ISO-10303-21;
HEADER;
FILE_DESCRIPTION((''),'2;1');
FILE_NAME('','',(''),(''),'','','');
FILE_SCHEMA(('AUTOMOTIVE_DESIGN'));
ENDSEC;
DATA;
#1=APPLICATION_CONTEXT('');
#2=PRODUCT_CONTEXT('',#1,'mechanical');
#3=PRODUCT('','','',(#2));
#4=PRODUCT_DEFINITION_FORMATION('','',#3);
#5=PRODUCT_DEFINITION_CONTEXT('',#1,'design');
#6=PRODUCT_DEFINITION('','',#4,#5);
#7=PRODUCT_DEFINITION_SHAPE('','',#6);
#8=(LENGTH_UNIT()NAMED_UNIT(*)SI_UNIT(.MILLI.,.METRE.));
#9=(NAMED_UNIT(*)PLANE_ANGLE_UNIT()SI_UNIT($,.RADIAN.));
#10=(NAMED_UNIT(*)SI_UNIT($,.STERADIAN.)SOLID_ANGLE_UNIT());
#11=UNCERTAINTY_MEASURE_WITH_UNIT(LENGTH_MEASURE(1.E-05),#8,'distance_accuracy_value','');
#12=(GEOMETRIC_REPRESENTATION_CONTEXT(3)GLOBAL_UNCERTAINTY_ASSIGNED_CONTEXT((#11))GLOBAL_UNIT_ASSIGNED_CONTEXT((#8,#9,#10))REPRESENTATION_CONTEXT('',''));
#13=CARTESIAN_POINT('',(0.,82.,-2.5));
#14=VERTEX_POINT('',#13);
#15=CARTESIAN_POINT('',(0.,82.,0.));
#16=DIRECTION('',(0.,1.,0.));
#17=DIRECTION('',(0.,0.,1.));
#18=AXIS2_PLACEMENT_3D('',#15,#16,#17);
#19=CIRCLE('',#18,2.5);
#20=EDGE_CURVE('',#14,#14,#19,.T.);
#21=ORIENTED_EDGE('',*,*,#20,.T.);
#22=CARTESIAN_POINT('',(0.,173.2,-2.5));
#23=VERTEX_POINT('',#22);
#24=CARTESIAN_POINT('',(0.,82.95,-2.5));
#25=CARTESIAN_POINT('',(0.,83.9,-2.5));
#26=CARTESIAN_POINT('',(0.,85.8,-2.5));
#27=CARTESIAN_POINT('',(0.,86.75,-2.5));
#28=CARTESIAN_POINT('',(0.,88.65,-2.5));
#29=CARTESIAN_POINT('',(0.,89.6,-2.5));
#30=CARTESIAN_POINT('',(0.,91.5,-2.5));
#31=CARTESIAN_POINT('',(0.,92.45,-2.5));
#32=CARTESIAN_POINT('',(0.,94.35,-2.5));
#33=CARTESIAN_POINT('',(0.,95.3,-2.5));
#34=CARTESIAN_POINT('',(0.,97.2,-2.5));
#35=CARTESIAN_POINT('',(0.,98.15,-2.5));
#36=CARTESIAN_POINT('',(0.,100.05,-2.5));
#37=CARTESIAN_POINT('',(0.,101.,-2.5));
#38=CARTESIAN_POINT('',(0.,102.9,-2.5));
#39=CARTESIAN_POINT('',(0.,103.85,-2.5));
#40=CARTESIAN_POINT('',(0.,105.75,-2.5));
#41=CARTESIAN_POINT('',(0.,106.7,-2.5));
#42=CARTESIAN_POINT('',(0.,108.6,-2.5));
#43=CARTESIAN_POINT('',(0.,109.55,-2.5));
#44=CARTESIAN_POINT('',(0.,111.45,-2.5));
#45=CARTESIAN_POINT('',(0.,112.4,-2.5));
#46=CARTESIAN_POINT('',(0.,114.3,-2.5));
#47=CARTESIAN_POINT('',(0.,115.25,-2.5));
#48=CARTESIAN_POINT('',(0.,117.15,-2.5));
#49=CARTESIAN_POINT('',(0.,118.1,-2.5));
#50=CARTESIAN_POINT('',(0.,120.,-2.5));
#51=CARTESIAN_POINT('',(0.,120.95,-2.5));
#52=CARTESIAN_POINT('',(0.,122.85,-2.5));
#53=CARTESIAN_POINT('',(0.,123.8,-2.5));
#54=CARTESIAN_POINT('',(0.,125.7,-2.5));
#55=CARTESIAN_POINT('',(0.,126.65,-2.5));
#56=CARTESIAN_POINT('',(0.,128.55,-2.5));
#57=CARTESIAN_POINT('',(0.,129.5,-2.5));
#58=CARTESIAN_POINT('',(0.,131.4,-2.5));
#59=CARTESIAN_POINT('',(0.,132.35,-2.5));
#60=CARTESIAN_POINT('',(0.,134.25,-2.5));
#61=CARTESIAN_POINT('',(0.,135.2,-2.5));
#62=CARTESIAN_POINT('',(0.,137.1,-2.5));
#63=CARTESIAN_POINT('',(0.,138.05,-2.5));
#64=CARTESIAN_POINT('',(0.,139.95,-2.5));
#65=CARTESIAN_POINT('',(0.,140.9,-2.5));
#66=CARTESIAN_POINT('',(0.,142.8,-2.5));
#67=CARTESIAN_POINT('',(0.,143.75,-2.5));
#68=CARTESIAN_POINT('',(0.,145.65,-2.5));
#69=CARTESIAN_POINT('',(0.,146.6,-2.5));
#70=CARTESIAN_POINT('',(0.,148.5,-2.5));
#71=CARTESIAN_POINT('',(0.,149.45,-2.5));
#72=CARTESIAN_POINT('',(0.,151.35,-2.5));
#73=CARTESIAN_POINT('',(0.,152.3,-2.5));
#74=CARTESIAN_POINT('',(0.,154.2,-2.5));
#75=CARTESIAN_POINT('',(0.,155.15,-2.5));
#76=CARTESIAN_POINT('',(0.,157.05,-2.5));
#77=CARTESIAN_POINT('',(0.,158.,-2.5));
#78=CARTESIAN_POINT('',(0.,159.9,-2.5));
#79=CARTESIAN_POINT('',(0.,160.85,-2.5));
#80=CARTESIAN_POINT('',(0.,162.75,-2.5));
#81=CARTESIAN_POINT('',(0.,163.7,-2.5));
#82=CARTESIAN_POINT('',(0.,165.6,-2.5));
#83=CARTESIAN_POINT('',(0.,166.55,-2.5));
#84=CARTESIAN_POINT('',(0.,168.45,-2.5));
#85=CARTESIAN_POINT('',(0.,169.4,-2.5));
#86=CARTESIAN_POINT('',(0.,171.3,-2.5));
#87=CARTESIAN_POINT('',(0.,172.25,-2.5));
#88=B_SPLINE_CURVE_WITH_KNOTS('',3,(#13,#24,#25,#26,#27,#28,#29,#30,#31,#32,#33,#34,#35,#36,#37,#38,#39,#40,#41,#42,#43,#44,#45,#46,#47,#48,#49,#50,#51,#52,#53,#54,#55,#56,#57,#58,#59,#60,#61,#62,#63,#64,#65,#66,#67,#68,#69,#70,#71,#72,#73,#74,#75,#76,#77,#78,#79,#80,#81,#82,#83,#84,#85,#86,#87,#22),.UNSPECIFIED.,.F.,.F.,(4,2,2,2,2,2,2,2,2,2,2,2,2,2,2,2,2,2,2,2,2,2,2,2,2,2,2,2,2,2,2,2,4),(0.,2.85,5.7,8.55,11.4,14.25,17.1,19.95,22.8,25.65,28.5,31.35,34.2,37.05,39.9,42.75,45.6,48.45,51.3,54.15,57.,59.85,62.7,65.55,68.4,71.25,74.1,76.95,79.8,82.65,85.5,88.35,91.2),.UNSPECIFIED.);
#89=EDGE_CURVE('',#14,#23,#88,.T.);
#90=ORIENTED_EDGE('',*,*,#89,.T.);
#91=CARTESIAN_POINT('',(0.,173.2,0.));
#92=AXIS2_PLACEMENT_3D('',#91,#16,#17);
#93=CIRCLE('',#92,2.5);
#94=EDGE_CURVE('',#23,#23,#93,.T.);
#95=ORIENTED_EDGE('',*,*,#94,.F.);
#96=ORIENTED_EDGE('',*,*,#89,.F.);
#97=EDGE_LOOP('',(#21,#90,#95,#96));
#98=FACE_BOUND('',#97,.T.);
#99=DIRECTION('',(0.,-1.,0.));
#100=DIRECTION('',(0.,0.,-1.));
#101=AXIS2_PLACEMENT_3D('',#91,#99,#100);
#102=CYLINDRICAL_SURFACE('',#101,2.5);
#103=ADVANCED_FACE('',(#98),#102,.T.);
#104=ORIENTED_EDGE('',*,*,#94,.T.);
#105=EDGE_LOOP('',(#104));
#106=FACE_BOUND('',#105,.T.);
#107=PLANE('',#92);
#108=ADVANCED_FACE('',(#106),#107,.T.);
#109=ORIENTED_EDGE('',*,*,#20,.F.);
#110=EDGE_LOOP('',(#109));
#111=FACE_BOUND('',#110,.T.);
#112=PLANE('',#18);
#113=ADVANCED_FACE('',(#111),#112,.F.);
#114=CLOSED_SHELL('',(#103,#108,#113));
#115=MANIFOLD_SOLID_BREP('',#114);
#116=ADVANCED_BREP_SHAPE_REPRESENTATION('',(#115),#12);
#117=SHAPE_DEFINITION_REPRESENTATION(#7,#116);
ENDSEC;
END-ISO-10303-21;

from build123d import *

# Parameters (mm, degrees)
SKETCH_1_R               = 2.5
EXTRUDE_1_DEPTH          = 173.2
SKETCH_3_R               = 77
EXTRUDE_4_DEPTH          = 4
SKETCH_8_R               = 15
EXTRUDE_7_DEPTH          = 3
CUT_EXTRUDE_2_REACH      = 198.527
SKETCH_9_R               = 5
PATTERN_CIRCULAR_1_COUNT = 3
SKETCH_11_R              = 2.5
CUT_EXTRUDE_4_DEPTH      = 143.040275978
EXTRUDE_START            = 6.6
SKETCH_12_R              = 2.5
EXTRUDE_8_DEPTH          = 6.6
CUT_EXTRUDE_6_REACH      = 138.076
SKETCH_13_R              = 77
SKETCH_13_R_2            = 15
SKETCH_14_R              = 15
CUT_EXTRUDE_7_DEPTH      = 10
SKETCH_15_R              = 2.5
EXTRUDE_9_DEPTH          = 10


with BuildPart() as part:
    # 草图1 → 凸台-拉伸1 (new body)
    with BuildSketch(Plane(origin=(0, 0, 0), x_dir=(1, 0, 0), z_dir=(0, 1, 0))):
        with Locations(Location((0, 0, 0), (0, 0, 90))):
            Circle(SKETCH_1_R)
    extrude(amount=EXTRUDE_1_DEPTH)

    # 草图3 → 凸台-拉伸4 (add)
    with BuildSketch(Plane(origin=(0, 163.6, 0), x_dir=(1, 0, 0), z_dir=(0, 1, 0))):
        with Locations(Location((0, 0, 0), (0, 0, 270))):
            Circle(SKETCH_3_R)
    extrude(amount=-EXTRUDE_4_DEPTH)

    # 草图8 → 凸台-拉伸7 (add)
    with BuildSketch(Plane(origin=(0, 159.6, 0), x_dir=(-1, 0, 0), z_dir=(0, -1, 0))):
        with Locations(Location((0, 0, 0), (0, 0, 270))):
            Circle(SKETCH_8_R)
    extrude(amount=EXTRUDE_7_DEPTH)

    # 草图9 → 切除-拉伸2 (cut, up to next)
    with BuildSketch(Plane(origin=(0, 163.6, 0), x_dir=(1, 0, 0), z_dir=(0, 1, 0)), mode=Mode.PRIVATE) as cut_extrude_2_sk1:
        with Locations(Location((0, 45, 0), (0, 0, 270))):
            Circle(SKETCH_9_R)
    cut_extrude_2_tool1 = extrude(cut_extrude_2_sk1.sketch, amount=-CUT_EXTRUDE_2_REACH, mode=Mode.PRIVATE) & part.part
    cut_extrude_2 = cut_extrude_2_tool1.solids().sort_by_distance((0, 163.6, -45))[0]
    add(cut_extrude_2, mode=Mode.SUBTRACT)

    # 阵列(圆周)1: 切除-拉伸2 ×3 about axis
    pattern_circular_1_axis = Axis((0, 0, 0), (0, 1, 0))
    for i in range(1, PATTERN_CIRCULAR_1_COUNT):
        add(cut_extrude_2.rotate(pattern_circular_1_axis, i * 360 / PATTERN_CIRCULAR_1_COUNT), mode=Mode.SUBTRACT)

    # 草图11 → 切除-拉伸4 (cut, through all)
    with BuildSketch(Plane(origin=(0, 82, 0), x_dir=(1, 0, 0), z_dir=(0, 1, 0))):
        with Locations(Location((0, 0, 0), (0, 0, 90))):
            Circle(SKETCH_11_R)
    extrude(amount=-CUT_EXTRUDE_4_DEPTH, mode=Mode.SUBTRACT)

    # 草图12 → 凸台-拉伸8 (add)
    with BuildSketch(Plane(origin=(0, 153.6, 0), x_dir=(-1, 0, 0), z_dir=(0, -1, 0)).offset(EXTRUDE_START)):
        with Locations(Location((0, 0, 0), (0, 0, 90))):
            Circle(SKETCH_12_R)
    extrude(amount=-EXTRUDE_8_DEPTH)

    # 草图13 → 切除-拉伸6 (cut, up to next)
    with BuildSketch(Plane(origin=(0, 163.6, 0), x_dir=(1, 0, 0), z_dir=(0, 1, 0)), mode=Mode.PRIVATE) as cut_extrude_6_sk1:
        Circle(SKETCH_13_R)
        with Locations(Location((0, 0, 0), (0, 0, 270))):
            Circle(SKETCH_13_R_2, mode=Mode.SUBTRACT)
    cut_extrude_6_tool1 = extrude(cut_extrude_6_sk1.sketch, amount=-CUT_EXTRUDE_6_REACH, mode=Mode.PRIVATE) & part.part
    add(cut_extrude_6_tool1.solids().sort_by_distance((-74.822111, 163.6, 0))[0], mode=Mode.SUBTRACT)

    # 草图14 → 切除-拉伸7 (cut)
    with BuildSketch(Plane(origin=(0, 163.6, 0), x_dir=(1, 0, 0), z_dir=(0, 1, 0))):
        Circle(SKETCH_14_R)
    extrude(amount=-CUT_EXTRUDE_7_DEPTH, mode=Mode.SUBTRACT)


with BuildPart() as cut_extrude_7_piece_1:
    # of the separate pieces the step leaves, piece 1, a body of its own (cut_extrude_7_pieces)
    add(part.part.solids().sort_by_distance((0, 82, -2.5))[0])



with BuildPart() as cut_extrude_7_piece_2:
    # of the separate pieces the step leaves, piece 2, a body of its own (cut_extrude_7_pieces)
    add(part.part.solids().sort_by_distance((0, 163.6, -2.5))[0])


with BuildPart() as cut_extrude_7_piece_1_1:
    add(cut_extrude_7_piece_1.part)

    add(cut_extrude_7_piece_2.part)  # 凸台-拉伸9 merges 切除-拉伸7 piece 2
    # 草图15 → 凸台-拉伸9 (add)
    with BuildSketch(Plane(origin=(0, 153.6, 0), x_dir=(-1, 0, 0), z_dir=(0, -1, 0))):
        with Locations(Location((0, 0, 0), (0, 0, 90))):
            Circle(SKETCH_15_R)
    extrude(amount=-EXTRUDE_9_DEPTH)


solid = cut_extrude_7_piece_1_1.part
